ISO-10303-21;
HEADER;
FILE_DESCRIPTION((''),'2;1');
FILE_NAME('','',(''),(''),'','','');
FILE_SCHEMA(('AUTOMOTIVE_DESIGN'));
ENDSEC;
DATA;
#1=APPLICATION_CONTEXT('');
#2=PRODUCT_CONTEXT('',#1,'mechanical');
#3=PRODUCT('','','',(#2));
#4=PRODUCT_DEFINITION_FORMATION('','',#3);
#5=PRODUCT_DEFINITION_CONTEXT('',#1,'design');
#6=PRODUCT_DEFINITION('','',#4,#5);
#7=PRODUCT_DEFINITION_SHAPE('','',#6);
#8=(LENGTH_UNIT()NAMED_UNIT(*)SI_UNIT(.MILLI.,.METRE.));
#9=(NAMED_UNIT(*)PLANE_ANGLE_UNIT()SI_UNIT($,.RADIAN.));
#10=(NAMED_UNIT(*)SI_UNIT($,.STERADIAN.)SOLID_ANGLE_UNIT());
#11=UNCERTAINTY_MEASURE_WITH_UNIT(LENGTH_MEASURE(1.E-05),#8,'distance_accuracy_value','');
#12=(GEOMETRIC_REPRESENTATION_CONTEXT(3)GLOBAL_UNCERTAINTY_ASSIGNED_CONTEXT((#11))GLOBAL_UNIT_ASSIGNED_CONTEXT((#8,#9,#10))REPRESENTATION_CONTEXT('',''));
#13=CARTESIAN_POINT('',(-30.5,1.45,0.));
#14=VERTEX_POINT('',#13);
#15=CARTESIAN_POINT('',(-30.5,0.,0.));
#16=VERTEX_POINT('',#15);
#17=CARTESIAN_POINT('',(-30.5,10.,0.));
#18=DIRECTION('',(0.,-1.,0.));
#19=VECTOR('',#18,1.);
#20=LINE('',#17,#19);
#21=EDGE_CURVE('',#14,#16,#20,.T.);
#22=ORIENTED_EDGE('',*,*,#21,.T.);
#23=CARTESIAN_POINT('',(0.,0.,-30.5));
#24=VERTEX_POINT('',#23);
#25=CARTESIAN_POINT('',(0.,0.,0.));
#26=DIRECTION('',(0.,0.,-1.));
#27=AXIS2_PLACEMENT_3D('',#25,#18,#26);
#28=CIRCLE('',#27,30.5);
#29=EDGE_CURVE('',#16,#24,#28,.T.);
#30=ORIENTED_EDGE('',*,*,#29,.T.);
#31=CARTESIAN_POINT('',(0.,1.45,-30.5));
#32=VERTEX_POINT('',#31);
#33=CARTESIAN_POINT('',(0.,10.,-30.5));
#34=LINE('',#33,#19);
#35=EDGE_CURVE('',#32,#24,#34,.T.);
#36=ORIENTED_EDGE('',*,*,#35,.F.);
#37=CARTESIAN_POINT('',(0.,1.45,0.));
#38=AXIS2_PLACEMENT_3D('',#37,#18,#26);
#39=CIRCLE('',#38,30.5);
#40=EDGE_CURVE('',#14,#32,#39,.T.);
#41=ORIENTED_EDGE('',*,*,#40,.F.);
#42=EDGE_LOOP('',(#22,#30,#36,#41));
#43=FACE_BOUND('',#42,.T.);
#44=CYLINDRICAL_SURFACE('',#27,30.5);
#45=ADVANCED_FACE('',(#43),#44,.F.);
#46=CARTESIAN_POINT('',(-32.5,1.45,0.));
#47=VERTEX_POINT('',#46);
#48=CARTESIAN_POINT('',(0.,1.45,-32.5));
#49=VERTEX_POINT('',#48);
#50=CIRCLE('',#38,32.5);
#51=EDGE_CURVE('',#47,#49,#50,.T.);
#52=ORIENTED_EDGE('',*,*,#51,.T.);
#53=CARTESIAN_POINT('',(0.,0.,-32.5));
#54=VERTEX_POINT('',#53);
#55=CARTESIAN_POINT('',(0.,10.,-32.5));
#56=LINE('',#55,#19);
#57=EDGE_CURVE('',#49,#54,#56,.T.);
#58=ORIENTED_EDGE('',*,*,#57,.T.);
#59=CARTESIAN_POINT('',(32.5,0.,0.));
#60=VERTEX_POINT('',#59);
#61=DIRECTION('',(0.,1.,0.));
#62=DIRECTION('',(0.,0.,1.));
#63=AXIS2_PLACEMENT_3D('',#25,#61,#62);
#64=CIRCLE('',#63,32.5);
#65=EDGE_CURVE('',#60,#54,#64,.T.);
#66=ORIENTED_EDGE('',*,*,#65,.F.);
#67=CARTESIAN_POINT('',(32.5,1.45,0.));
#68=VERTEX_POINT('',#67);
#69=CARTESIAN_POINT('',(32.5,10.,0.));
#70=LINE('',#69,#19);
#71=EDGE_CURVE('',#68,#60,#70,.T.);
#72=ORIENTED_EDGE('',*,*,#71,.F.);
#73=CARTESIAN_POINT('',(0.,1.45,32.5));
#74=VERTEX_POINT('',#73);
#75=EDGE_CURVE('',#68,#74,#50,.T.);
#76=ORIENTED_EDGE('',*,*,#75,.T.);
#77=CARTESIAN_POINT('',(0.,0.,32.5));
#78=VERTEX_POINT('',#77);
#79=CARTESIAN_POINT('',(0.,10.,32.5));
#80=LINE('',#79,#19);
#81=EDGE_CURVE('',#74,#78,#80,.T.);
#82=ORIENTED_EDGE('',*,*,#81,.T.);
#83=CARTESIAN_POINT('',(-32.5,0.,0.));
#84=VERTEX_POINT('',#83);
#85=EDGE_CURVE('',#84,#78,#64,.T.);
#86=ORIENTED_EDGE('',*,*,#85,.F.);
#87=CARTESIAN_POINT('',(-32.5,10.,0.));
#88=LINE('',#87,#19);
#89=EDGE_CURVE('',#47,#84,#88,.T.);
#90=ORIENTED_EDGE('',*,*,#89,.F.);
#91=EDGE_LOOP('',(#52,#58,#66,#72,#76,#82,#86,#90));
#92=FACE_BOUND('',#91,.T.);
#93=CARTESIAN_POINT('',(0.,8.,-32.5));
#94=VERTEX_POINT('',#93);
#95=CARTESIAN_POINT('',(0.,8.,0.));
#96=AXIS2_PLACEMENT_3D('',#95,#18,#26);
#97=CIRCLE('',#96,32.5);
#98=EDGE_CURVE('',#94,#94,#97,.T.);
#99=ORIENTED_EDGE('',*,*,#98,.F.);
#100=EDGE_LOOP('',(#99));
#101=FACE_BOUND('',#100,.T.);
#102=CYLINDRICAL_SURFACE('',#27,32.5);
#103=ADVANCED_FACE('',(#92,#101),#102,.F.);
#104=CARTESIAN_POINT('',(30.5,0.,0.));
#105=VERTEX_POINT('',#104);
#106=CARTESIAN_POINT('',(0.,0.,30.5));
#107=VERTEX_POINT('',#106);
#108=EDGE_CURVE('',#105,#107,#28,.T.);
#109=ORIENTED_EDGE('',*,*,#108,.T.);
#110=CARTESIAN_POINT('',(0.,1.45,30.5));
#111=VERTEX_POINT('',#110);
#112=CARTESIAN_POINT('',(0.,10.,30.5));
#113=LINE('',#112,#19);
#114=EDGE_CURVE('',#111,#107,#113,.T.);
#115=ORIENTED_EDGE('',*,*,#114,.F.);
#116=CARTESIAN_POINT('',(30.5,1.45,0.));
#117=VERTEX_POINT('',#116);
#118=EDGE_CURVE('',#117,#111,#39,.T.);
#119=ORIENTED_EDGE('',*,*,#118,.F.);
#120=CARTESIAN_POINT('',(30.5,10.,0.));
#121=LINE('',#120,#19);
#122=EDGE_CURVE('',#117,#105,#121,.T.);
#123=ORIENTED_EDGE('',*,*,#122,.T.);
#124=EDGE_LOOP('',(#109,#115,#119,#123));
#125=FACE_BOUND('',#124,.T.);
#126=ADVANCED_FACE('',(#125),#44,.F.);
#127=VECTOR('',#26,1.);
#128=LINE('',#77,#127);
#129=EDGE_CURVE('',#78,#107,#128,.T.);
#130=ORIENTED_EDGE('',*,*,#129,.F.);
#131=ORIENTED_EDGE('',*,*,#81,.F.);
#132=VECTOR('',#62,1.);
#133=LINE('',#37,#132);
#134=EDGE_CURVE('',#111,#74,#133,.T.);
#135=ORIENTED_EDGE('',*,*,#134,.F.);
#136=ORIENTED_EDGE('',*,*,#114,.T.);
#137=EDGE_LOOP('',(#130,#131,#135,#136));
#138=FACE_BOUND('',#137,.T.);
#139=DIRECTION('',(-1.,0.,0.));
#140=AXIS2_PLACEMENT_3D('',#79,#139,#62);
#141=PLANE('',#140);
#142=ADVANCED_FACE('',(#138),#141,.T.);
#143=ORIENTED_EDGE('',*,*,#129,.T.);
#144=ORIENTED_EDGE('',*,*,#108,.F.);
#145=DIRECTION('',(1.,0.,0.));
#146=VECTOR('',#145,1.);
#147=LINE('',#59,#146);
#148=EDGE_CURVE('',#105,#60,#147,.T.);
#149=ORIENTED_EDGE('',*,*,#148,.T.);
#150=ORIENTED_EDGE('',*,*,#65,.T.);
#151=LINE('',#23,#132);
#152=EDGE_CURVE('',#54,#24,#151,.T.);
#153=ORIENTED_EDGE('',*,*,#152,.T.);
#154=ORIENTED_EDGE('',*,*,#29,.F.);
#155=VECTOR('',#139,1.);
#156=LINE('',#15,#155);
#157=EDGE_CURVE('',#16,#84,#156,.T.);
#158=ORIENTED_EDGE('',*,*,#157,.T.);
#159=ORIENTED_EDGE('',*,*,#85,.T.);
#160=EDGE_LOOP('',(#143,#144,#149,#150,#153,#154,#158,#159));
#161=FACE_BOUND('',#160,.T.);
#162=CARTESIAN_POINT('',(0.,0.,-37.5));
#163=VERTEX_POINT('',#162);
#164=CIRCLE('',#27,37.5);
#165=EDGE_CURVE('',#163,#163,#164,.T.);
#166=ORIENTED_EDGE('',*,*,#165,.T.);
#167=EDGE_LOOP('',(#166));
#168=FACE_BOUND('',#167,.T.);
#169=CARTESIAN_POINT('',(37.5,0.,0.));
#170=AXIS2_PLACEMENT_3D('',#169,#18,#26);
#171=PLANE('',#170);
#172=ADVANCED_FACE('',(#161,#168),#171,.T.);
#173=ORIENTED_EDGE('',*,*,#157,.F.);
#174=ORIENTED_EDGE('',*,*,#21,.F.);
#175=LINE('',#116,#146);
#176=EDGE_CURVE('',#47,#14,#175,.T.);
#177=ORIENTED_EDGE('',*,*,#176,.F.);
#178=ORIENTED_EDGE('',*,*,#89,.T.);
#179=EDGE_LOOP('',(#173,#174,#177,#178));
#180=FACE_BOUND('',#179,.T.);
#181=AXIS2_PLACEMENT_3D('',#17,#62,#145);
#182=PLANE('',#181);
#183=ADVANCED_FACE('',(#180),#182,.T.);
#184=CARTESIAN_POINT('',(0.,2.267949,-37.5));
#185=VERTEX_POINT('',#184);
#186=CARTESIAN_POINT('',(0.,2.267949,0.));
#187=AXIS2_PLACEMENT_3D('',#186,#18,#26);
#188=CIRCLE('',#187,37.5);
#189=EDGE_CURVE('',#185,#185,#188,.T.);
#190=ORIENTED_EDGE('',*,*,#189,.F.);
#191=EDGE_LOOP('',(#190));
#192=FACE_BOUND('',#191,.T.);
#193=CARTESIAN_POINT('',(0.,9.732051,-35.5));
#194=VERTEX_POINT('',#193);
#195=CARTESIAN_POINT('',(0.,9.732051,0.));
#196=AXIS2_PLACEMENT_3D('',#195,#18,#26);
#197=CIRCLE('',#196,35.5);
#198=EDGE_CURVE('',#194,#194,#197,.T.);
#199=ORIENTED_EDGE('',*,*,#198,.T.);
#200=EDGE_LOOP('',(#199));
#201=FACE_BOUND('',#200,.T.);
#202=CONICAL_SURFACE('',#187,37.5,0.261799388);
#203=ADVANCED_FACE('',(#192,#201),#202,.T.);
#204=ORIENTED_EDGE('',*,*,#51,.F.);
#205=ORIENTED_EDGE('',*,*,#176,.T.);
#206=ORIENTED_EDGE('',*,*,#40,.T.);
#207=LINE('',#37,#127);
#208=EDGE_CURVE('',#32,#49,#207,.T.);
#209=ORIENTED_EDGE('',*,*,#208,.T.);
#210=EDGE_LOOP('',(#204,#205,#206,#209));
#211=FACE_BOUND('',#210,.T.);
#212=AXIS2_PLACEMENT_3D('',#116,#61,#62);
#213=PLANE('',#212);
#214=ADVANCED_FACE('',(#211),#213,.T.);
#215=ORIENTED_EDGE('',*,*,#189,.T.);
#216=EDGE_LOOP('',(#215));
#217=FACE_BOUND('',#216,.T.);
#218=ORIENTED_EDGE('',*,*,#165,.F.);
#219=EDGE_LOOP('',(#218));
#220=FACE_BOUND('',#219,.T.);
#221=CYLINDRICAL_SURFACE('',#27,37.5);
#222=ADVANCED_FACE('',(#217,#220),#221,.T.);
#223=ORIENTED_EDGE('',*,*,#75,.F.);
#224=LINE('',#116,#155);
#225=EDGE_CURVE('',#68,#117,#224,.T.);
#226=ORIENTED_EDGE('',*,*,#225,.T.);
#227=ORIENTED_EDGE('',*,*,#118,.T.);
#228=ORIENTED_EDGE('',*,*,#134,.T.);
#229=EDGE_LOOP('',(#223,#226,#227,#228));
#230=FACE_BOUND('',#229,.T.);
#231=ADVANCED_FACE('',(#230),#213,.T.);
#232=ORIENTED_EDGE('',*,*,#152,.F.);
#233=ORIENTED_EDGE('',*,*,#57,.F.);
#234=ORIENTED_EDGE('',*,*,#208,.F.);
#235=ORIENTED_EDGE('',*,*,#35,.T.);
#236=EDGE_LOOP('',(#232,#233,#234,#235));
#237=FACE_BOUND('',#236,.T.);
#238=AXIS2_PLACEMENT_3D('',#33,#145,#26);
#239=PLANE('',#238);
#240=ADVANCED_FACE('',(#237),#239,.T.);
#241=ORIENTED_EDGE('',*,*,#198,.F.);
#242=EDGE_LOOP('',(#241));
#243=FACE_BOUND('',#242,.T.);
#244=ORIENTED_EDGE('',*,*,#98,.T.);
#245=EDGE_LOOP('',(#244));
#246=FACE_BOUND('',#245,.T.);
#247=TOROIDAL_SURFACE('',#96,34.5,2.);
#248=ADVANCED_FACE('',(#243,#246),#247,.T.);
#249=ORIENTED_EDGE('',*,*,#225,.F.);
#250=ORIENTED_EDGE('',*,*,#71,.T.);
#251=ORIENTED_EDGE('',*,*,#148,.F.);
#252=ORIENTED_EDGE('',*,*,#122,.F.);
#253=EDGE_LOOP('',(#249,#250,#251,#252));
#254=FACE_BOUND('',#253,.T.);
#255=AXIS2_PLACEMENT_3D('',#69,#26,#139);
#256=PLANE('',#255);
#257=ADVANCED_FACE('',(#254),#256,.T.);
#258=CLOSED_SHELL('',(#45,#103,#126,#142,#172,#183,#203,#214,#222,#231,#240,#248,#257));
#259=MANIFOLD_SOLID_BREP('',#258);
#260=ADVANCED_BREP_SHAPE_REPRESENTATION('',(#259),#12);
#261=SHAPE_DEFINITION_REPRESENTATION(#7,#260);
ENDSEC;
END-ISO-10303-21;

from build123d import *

# Parameters (mm, degrees)
CUT_EXTRUDE2_DEPTH = 11.0000001


with BuildPart() as part:
    # Sketch1 → Revolve1 (revolve)
    with BuildSketch(Plane.XY, mode=Mode.PRIVATE) as revolve1_sk:
        with BuildLine():
            Line((37.5, 0), (30.5, 0))
            Line((30.5, 0), (30.5, 1.45))
            Line((30.5, 1.45), (32.5, 1.45))
            Line((32.5, 1.45), (32.5, 8))
            ThreePointArc((32.5, 8), (33.5, 9.732050808), (35.5, 9.732050808))
            Line((35.5, 9.732050808), (37.5, 2.267949192))
            Line((37.5, 2.267949192), (37.5, 0))
        make_face()
    revolve(revolve1_sk.sketch.rotate(Axis((0, 0, 0), (0, 1, 0)), 90), axis=Axis((0, 0, 0), (0, 1, 0)))  # turned: the seam where the file's is

    # Sketch2 → Cut-Extrude2 (cut, through all)
    with BuildSketch(Plane(origin=(0, 0, 0), x_dir=(1, 0, 0), z_dir=(0, 1, 0))):
        with BuildLine():
            Line((0, 30.5), (0, 32.5))
            ThreePointArc((0, 32.5), (22.980970389, 22.980970389), (32.5, 0))
            Line((32.5, 0), (30.5, 0))
            ThreePointArc((30.5, 0), (21.566756826, 21.566756826), (0, 30.5))
        make_face()
        with BuildLine():
            Line((0, -32.5), (0, -30.5))
            ThreePointArc((0, -30.5), (-21.566756826, -21.566756826), (-30.5, 0))
            Line((-30.5, 0), (-32.5, 0))
            ThreePointArc((-32.5, 0), (-22.980970389, -22.980970389), (0, -32.5))
        make_face()
    extrude(amount=CUT_EXTRUDE2_DEPTH, mode=Mode.SUBTRACT)


solid = part.part
